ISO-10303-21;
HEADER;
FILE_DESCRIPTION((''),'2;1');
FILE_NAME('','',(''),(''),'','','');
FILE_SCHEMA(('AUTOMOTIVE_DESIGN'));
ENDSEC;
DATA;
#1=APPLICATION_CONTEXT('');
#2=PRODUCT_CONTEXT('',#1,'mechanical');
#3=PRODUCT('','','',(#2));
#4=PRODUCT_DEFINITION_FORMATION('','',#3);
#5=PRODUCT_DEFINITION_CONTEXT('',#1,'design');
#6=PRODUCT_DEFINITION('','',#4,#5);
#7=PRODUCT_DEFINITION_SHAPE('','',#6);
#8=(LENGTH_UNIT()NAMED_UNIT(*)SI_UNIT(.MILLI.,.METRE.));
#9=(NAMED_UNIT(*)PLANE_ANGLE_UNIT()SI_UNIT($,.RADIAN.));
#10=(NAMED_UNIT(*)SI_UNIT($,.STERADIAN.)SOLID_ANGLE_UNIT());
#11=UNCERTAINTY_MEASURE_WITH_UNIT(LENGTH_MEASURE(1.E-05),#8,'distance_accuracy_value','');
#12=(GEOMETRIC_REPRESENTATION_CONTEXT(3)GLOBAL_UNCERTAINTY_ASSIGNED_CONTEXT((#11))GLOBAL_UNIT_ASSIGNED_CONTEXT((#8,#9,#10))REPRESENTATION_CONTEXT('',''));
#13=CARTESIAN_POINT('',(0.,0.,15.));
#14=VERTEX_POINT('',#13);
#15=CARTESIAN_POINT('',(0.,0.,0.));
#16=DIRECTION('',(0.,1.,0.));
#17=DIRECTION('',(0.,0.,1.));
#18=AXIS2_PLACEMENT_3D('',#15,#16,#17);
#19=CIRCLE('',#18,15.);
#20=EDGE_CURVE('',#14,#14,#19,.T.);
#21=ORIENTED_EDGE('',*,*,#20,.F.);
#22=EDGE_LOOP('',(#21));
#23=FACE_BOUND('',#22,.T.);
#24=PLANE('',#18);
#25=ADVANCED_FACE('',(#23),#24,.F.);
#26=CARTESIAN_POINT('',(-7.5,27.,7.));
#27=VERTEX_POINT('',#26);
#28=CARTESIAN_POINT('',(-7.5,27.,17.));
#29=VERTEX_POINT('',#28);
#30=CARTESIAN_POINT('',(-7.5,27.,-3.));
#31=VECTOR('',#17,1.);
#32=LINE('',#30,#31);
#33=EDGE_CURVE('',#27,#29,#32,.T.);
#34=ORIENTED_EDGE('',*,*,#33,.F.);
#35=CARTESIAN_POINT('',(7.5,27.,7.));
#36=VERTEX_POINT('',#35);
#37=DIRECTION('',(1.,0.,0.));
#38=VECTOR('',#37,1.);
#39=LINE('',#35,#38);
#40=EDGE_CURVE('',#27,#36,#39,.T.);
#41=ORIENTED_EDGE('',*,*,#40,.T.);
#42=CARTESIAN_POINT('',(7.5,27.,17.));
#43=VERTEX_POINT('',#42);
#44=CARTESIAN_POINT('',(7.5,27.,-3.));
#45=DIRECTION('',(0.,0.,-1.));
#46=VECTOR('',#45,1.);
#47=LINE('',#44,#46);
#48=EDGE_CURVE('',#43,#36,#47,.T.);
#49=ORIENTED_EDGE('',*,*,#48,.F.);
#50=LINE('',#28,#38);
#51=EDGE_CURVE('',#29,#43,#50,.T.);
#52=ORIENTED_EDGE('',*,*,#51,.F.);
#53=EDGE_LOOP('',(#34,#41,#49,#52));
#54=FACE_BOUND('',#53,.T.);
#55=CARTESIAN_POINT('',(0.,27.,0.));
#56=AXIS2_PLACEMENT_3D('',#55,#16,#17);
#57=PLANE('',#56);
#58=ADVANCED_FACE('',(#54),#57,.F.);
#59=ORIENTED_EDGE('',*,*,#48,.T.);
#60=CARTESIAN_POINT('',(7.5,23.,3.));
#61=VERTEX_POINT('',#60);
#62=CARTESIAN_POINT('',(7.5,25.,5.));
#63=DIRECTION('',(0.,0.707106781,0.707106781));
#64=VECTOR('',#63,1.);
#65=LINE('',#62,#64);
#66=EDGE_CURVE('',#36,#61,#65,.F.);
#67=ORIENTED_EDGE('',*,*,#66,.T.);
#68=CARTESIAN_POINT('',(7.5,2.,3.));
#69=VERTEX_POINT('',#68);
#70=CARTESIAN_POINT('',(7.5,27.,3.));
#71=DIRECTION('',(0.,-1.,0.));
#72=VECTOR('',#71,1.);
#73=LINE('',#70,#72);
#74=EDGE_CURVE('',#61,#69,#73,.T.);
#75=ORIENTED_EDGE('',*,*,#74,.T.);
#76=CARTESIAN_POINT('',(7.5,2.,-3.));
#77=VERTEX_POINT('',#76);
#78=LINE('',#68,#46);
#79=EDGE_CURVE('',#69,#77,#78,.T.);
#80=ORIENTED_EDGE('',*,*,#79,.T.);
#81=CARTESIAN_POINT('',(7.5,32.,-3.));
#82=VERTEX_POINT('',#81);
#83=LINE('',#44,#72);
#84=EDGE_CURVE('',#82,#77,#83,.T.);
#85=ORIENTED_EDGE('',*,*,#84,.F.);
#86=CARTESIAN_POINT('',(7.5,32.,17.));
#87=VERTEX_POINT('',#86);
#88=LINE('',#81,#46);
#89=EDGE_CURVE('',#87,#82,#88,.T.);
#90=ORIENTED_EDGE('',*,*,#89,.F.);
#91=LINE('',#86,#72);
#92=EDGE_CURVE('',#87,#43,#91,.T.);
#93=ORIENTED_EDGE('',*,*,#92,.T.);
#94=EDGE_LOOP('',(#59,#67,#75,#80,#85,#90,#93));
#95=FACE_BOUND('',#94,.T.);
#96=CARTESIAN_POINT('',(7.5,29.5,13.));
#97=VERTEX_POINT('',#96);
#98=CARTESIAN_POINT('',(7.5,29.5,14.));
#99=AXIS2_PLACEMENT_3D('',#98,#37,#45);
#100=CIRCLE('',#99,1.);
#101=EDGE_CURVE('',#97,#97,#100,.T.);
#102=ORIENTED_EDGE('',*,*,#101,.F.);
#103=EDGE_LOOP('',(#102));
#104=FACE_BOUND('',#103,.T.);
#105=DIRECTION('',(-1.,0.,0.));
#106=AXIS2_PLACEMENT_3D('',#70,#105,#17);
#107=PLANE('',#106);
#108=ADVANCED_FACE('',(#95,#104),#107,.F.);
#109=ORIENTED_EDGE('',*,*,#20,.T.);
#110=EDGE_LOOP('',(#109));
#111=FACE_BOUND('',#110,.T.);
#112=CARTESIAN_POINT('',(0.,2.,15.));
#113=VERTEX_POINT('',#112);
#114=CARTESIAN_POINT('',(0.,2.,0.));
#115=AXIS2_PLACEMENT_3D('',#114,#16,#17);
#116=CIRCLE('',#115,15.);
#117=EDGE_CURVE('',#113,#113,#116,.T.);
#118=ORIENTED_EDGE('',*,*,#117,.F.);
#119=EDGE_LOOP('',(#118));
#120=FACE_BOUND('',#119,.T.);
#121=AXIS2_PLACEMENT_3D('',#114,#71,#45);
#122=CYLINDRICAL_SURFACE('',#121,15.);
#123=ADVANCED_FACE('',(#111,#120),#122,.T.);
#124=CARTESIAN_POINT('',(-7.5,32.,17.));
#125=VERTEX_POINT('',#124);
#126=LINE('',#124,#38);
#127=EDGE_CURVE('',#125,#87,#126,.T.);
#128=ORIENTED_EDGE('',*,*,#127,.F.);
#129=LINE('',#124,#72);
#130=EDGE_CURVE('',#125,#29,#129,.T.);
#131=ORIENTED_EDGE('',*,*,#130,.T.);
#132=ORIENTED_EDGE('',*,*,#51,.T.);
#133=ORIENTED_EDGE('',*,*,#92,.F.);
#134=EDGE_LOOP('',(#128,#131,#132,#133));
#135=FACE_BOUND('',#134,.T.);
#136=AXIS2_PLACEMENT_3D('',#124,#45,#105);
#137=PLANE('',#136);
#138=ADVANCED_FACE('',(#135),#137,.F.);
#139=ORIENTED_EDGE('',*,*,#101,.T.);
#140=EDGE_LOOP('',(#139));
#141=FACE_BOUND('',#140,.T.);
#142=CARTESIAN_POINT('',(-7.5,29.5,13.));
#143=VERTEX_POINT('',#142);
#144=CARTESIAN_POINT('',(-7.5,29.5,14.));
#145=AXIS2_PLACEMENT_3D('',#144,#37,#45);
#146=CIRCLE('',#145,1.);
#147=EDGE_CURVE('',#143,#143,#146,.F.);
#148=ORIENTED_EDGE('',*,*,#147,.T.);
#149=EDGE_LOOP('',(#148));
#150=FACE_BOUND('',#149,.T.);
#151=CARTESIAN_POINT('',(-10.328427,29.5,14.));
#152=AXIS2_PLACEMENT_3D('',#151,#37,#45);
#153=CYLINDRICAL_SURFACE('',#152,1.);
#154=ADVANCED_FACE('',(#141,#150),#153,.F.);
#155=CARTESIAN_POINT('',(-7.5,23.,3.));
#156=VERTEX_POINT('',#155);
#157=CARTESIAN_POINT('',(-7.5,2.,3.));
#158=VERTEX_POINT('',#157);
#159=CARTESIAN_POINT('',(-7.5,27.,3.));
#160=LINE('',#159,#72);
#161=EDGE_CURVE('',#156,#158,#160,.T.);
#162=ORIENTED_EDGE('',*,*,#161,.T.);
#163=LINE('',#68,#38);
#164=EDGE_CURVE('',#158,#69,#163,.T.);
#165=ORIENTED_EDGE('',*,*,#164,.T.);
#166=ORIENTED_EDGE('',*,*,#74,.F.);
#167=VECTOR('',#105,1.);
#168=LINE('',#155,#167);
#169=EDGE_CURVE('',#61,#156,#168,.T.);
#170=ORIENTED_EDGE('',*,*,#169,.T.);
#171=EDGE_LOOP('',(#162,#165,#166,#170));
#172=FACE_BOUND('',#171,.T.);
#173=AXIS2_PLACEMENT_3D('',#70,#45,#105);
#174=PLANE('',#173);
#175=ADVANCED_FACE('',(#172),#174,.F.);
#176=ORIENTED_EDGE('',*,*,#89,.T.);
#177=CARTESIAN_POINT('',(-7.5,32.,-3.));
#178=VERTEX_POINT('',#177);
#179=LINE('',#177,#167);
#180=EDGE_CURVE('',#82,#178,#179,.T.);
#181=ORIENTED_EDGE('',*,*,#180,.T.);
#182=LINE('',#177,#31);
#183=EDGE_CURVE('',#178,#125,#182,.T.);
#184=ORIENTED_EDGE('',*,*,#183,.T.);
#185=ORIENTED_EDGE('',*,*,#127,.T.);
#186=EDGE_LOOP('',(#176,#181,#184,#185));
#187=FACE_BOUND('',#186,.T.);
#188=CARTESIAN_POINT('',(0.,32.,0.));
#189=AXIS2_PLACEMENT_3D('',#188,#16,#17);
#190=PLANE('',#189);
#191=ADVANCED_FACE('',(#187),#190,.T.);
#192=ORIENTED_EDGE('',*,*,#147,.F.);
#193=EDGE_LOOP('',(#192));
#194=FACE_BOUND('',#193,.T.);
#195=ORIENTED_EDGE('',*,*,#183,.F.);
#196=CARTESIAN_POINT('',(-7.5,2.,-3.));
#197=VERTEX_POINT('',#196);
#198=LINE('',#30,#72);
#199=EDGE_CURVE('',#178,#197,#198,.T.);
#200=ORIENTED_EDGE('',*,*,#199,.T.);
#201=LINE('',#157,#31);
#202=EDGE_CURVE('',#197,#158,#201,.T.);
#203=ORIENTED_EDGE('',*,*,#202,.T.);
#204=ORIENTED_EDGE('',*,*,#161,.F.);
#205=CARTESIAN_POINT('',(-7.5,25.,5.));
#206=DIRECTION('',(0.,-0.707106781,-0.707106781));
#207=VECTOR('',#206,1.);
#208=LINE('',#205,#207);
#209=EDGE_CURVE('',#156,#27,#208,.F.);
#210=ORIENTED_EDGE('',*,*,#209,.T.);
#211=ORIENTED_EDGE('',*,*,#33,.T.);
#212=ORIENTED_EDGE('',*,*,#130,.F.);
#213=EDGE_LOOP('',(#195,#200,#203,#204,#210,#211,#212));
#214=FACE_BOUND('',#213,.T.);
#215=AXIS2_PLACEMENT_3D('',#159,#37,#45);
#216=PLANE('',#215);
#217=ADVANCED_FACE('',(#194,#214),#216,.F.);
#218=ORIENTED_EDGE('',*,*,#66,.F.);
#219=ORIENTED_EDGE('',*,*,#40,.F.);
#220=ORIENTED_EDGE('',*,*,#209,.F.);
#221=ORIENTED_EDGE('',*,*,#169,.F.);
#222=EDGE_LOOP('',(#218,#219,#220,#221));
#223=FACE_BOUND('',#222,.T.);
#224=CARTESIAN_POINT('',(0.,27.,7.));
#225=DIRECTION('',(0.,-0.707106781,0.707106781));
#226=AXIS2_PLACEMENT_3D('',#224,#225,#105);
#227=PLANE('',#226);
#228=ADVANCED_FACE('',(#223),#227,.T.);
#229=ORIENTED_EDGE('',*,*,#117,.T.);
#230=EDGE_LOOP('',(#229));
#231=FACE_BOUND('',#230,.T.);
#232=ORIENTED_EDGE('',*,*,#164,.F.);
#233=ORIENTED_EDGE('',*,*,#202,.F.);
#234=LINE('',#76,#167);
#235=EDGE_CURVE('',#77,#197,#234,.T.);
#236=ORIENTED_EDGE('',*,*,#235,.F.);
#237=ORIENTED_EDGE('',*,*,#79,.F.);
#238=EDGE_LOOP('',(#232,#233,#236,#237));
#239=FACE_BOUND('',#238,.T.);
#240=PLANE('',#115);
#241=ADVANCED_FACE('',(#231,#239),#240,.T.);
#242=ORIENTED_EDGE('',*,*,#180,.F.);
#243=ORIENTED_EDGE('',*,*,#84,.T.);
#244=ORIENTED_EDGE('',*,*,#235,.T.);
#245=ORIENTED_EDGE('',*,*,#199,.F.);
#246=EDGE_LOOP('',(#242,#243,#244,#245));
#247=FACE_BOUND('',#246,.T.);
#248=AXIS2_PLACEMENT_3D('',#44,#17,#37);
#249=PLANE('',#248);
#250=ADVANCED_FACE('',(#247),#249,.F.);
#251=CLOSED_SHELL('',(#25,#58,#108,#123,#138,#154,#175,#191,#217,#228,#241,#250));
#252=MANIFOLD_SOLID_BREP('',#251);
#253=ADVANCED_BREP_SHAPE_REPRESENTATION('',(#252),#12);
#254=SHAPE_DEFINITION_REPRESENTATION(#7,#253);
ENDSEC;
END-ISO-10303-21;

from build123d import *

# Parameters (mm, degrees)
SKETCH1_R           = 15
BOSS_EXTRUDE1_DEPTH = 2
SKETCH2_W           = 15
SKETCH2_H           = 6
BOSS_EXTRUDE2_DEPTH = 25
SKETCH3_W           = 15
SKETCH3_H           = 20
BOSS_EXTRUDE3_DEPTH = 5
CHAMFER1_SIZE       = 4
SKETCH4_R           = 1
CUT_EXTRUDE1_DEPTH  = 15


with BuildPart() as part:
    # Sketch1 → Boss-Extrude1 (new body)
    with BuildSketch(Plane(origin=(0, 0, 0), x_dir=(1, 0, 0), z_dir=(0, 1, 0))):
        with Locations(Location((0, 0, 0), (0, 0, 270))):
            Circle(SKETCH1_R)
    extrude(amount=BOSS_EXTRUDE1_DEPTH)

    # Sketch2 → Boss-Extrude2 (add)
    with BuildSketch(Plane(origin=(0, 2, 0), x_dir=(1, 0, 0), z_dir=(0, 1, 0))):
        Rectangle(SKETCH2_W, SKETCH2_H)
    extrude(amount=BOSS_EXTRUDE2_DEPTH)

    # Sketch3 → Boss-Extrude3 (add)
    with BuildSketch(Plane(origin=(0, 27, 0), x_dir=(1, 0, 0), z_dir=(0, 1, 0))):
        with Locations((0, -7)):
            Rectangle(SKETCH3_W, SKETCH3_H)
    extrude(amount=BOSS_EXTRUDE3_DEPTH)

    # Chamfer1
    chamfer1_edges = [part.edges().sort_by_distance(p)[0] for p in [
        (0, 27, 3),
    ]]
    chamfer(chamfer1_edges, length=CHAMFER1_SIZE)

    # Sketch4 → Cut-Extrude1 (cut)
    with BuildSketch(Plane(origin=(7.5, 0, 0), x_dir=(0, 0, -1), z_dir=(1, 0, 0))):
        with Locations((-14, 29.5)):
            Circle(SKETCH4_R)
    extrude(amount=-CUT_EXTRUDE1_DEPTH, mode=Mode.SUBTRACT)


solid = part.part
